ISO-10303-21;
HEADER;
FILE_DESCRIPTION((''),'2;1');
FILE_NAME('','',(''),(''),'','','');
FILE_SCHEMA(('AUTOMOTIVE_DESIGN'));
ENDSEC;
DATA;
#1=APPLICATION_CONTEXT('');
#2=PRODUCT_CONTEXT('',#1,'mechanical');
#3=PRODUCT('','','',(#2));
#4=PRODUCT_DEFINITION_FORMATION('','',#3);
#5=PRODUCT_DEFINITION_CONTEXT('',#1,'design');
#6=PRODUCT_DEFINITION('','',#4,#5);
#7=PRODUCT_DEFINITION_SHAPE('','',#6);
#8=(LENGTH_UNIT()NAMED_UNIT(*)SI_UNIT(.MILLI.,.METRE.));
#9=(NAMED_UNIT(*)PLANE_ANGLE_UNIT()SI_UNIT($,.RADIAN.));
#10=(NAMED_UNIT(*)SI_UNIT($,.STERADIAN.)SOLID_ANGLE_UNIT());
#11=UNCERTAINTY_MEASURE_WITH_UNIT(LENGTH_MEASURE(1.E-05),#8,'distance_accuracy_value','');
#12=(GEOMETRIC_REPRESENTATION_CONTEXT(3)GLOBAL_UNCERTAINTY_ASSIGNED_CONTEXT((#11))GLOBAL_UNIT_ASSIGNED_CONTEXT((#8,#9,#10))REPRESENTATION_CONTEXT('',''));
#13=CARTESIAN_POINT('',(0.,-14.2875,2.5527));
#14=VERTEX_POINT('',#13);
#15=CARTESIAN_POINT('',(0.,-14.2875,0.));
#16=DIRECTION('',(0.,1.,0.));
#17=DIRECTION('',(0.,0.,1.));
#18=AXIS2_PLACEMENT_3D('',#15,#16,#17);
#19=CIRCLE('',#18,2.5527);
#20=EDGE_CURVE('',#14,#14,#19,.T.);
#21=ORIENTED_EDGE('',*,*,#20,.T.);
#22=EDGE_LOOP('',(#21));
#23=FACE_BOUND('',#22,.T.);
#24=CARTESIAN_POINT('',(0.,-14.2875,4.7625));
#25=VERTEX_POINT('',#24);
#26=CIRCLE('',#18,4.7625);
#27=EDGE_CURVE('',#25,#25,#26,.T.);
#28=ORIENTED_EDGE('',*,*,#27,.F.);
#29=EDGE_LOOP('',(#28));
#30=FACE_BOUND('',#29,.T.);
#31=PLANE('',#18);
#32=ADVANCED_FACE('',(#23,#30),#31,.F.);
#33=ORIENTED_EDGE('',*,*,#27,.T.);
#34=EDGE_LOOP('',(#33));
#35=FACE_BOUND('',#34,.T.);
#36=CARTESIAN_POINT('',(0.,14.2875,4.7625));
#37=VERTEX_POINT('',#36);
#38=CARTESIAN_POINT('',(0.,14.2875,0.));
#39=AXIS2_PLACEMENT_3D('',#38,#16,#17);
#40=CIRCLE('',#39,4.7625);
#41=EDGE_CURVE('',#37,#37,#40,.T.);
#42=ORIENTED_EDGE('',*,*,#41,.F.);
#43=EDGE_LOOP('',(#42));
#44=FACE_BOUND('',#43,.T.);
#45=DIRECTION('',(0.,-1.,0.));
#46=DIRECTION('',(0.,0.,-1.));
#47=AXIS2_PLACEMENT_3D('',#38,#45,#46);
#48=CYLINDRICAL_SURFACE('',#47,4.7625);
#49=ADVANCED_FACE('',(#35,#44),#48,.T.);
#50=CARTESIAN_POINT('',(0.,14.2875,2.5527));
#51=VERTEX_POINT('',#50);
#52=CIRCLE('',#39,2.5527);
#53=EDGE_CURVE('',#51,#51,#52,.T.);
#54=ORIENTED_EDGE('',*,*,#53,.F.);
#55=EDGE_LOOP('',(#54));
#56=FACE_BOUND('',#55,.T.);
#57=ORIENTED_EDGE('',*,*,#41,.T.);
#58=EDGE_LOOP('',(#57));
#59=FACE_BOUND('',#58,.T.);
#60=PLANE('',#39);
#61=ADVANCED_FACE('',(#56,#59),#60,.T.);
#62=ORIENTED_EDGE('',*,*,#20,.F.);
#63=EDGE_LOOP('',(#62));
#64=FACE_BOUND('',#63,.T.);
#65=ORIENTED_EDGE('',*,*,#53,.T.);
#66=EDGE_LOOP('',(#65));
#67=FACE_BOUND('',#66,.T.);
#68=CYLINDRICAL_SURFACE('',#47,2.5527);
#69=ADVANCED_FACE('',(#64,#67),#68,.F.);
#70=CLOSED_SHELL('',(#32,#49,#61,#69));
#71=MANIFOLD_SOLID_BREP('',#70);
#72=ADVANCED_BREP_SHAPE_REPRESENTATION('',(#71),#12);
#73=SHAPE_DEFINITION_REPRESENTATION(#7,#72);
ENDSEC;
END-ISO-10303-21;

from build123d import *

# Parameters (mm, degrees)
SKETCH1_R           = 4.7625
SKETCH1_R_2         = 2.5527
BOSS_EXTRUDE1_DEPTH = 14.2875


with BuildPart() as part:
    # Sketch1 → Boss-Extrude1 (new body, symmetric)
    with BuildSketch(Plane(origin=(0, 0, 0), x_dir=(1, 0, 0), z_dir=(0, 1, 0))):
        Circle(SKETCH1_R)
        Circle(SKETCH1_R_2, mode=Mode.SUBTRACT)
    extrude(amount=BOSS_EXTRUDE1_DEPTH, both=True)


solid = part.part
